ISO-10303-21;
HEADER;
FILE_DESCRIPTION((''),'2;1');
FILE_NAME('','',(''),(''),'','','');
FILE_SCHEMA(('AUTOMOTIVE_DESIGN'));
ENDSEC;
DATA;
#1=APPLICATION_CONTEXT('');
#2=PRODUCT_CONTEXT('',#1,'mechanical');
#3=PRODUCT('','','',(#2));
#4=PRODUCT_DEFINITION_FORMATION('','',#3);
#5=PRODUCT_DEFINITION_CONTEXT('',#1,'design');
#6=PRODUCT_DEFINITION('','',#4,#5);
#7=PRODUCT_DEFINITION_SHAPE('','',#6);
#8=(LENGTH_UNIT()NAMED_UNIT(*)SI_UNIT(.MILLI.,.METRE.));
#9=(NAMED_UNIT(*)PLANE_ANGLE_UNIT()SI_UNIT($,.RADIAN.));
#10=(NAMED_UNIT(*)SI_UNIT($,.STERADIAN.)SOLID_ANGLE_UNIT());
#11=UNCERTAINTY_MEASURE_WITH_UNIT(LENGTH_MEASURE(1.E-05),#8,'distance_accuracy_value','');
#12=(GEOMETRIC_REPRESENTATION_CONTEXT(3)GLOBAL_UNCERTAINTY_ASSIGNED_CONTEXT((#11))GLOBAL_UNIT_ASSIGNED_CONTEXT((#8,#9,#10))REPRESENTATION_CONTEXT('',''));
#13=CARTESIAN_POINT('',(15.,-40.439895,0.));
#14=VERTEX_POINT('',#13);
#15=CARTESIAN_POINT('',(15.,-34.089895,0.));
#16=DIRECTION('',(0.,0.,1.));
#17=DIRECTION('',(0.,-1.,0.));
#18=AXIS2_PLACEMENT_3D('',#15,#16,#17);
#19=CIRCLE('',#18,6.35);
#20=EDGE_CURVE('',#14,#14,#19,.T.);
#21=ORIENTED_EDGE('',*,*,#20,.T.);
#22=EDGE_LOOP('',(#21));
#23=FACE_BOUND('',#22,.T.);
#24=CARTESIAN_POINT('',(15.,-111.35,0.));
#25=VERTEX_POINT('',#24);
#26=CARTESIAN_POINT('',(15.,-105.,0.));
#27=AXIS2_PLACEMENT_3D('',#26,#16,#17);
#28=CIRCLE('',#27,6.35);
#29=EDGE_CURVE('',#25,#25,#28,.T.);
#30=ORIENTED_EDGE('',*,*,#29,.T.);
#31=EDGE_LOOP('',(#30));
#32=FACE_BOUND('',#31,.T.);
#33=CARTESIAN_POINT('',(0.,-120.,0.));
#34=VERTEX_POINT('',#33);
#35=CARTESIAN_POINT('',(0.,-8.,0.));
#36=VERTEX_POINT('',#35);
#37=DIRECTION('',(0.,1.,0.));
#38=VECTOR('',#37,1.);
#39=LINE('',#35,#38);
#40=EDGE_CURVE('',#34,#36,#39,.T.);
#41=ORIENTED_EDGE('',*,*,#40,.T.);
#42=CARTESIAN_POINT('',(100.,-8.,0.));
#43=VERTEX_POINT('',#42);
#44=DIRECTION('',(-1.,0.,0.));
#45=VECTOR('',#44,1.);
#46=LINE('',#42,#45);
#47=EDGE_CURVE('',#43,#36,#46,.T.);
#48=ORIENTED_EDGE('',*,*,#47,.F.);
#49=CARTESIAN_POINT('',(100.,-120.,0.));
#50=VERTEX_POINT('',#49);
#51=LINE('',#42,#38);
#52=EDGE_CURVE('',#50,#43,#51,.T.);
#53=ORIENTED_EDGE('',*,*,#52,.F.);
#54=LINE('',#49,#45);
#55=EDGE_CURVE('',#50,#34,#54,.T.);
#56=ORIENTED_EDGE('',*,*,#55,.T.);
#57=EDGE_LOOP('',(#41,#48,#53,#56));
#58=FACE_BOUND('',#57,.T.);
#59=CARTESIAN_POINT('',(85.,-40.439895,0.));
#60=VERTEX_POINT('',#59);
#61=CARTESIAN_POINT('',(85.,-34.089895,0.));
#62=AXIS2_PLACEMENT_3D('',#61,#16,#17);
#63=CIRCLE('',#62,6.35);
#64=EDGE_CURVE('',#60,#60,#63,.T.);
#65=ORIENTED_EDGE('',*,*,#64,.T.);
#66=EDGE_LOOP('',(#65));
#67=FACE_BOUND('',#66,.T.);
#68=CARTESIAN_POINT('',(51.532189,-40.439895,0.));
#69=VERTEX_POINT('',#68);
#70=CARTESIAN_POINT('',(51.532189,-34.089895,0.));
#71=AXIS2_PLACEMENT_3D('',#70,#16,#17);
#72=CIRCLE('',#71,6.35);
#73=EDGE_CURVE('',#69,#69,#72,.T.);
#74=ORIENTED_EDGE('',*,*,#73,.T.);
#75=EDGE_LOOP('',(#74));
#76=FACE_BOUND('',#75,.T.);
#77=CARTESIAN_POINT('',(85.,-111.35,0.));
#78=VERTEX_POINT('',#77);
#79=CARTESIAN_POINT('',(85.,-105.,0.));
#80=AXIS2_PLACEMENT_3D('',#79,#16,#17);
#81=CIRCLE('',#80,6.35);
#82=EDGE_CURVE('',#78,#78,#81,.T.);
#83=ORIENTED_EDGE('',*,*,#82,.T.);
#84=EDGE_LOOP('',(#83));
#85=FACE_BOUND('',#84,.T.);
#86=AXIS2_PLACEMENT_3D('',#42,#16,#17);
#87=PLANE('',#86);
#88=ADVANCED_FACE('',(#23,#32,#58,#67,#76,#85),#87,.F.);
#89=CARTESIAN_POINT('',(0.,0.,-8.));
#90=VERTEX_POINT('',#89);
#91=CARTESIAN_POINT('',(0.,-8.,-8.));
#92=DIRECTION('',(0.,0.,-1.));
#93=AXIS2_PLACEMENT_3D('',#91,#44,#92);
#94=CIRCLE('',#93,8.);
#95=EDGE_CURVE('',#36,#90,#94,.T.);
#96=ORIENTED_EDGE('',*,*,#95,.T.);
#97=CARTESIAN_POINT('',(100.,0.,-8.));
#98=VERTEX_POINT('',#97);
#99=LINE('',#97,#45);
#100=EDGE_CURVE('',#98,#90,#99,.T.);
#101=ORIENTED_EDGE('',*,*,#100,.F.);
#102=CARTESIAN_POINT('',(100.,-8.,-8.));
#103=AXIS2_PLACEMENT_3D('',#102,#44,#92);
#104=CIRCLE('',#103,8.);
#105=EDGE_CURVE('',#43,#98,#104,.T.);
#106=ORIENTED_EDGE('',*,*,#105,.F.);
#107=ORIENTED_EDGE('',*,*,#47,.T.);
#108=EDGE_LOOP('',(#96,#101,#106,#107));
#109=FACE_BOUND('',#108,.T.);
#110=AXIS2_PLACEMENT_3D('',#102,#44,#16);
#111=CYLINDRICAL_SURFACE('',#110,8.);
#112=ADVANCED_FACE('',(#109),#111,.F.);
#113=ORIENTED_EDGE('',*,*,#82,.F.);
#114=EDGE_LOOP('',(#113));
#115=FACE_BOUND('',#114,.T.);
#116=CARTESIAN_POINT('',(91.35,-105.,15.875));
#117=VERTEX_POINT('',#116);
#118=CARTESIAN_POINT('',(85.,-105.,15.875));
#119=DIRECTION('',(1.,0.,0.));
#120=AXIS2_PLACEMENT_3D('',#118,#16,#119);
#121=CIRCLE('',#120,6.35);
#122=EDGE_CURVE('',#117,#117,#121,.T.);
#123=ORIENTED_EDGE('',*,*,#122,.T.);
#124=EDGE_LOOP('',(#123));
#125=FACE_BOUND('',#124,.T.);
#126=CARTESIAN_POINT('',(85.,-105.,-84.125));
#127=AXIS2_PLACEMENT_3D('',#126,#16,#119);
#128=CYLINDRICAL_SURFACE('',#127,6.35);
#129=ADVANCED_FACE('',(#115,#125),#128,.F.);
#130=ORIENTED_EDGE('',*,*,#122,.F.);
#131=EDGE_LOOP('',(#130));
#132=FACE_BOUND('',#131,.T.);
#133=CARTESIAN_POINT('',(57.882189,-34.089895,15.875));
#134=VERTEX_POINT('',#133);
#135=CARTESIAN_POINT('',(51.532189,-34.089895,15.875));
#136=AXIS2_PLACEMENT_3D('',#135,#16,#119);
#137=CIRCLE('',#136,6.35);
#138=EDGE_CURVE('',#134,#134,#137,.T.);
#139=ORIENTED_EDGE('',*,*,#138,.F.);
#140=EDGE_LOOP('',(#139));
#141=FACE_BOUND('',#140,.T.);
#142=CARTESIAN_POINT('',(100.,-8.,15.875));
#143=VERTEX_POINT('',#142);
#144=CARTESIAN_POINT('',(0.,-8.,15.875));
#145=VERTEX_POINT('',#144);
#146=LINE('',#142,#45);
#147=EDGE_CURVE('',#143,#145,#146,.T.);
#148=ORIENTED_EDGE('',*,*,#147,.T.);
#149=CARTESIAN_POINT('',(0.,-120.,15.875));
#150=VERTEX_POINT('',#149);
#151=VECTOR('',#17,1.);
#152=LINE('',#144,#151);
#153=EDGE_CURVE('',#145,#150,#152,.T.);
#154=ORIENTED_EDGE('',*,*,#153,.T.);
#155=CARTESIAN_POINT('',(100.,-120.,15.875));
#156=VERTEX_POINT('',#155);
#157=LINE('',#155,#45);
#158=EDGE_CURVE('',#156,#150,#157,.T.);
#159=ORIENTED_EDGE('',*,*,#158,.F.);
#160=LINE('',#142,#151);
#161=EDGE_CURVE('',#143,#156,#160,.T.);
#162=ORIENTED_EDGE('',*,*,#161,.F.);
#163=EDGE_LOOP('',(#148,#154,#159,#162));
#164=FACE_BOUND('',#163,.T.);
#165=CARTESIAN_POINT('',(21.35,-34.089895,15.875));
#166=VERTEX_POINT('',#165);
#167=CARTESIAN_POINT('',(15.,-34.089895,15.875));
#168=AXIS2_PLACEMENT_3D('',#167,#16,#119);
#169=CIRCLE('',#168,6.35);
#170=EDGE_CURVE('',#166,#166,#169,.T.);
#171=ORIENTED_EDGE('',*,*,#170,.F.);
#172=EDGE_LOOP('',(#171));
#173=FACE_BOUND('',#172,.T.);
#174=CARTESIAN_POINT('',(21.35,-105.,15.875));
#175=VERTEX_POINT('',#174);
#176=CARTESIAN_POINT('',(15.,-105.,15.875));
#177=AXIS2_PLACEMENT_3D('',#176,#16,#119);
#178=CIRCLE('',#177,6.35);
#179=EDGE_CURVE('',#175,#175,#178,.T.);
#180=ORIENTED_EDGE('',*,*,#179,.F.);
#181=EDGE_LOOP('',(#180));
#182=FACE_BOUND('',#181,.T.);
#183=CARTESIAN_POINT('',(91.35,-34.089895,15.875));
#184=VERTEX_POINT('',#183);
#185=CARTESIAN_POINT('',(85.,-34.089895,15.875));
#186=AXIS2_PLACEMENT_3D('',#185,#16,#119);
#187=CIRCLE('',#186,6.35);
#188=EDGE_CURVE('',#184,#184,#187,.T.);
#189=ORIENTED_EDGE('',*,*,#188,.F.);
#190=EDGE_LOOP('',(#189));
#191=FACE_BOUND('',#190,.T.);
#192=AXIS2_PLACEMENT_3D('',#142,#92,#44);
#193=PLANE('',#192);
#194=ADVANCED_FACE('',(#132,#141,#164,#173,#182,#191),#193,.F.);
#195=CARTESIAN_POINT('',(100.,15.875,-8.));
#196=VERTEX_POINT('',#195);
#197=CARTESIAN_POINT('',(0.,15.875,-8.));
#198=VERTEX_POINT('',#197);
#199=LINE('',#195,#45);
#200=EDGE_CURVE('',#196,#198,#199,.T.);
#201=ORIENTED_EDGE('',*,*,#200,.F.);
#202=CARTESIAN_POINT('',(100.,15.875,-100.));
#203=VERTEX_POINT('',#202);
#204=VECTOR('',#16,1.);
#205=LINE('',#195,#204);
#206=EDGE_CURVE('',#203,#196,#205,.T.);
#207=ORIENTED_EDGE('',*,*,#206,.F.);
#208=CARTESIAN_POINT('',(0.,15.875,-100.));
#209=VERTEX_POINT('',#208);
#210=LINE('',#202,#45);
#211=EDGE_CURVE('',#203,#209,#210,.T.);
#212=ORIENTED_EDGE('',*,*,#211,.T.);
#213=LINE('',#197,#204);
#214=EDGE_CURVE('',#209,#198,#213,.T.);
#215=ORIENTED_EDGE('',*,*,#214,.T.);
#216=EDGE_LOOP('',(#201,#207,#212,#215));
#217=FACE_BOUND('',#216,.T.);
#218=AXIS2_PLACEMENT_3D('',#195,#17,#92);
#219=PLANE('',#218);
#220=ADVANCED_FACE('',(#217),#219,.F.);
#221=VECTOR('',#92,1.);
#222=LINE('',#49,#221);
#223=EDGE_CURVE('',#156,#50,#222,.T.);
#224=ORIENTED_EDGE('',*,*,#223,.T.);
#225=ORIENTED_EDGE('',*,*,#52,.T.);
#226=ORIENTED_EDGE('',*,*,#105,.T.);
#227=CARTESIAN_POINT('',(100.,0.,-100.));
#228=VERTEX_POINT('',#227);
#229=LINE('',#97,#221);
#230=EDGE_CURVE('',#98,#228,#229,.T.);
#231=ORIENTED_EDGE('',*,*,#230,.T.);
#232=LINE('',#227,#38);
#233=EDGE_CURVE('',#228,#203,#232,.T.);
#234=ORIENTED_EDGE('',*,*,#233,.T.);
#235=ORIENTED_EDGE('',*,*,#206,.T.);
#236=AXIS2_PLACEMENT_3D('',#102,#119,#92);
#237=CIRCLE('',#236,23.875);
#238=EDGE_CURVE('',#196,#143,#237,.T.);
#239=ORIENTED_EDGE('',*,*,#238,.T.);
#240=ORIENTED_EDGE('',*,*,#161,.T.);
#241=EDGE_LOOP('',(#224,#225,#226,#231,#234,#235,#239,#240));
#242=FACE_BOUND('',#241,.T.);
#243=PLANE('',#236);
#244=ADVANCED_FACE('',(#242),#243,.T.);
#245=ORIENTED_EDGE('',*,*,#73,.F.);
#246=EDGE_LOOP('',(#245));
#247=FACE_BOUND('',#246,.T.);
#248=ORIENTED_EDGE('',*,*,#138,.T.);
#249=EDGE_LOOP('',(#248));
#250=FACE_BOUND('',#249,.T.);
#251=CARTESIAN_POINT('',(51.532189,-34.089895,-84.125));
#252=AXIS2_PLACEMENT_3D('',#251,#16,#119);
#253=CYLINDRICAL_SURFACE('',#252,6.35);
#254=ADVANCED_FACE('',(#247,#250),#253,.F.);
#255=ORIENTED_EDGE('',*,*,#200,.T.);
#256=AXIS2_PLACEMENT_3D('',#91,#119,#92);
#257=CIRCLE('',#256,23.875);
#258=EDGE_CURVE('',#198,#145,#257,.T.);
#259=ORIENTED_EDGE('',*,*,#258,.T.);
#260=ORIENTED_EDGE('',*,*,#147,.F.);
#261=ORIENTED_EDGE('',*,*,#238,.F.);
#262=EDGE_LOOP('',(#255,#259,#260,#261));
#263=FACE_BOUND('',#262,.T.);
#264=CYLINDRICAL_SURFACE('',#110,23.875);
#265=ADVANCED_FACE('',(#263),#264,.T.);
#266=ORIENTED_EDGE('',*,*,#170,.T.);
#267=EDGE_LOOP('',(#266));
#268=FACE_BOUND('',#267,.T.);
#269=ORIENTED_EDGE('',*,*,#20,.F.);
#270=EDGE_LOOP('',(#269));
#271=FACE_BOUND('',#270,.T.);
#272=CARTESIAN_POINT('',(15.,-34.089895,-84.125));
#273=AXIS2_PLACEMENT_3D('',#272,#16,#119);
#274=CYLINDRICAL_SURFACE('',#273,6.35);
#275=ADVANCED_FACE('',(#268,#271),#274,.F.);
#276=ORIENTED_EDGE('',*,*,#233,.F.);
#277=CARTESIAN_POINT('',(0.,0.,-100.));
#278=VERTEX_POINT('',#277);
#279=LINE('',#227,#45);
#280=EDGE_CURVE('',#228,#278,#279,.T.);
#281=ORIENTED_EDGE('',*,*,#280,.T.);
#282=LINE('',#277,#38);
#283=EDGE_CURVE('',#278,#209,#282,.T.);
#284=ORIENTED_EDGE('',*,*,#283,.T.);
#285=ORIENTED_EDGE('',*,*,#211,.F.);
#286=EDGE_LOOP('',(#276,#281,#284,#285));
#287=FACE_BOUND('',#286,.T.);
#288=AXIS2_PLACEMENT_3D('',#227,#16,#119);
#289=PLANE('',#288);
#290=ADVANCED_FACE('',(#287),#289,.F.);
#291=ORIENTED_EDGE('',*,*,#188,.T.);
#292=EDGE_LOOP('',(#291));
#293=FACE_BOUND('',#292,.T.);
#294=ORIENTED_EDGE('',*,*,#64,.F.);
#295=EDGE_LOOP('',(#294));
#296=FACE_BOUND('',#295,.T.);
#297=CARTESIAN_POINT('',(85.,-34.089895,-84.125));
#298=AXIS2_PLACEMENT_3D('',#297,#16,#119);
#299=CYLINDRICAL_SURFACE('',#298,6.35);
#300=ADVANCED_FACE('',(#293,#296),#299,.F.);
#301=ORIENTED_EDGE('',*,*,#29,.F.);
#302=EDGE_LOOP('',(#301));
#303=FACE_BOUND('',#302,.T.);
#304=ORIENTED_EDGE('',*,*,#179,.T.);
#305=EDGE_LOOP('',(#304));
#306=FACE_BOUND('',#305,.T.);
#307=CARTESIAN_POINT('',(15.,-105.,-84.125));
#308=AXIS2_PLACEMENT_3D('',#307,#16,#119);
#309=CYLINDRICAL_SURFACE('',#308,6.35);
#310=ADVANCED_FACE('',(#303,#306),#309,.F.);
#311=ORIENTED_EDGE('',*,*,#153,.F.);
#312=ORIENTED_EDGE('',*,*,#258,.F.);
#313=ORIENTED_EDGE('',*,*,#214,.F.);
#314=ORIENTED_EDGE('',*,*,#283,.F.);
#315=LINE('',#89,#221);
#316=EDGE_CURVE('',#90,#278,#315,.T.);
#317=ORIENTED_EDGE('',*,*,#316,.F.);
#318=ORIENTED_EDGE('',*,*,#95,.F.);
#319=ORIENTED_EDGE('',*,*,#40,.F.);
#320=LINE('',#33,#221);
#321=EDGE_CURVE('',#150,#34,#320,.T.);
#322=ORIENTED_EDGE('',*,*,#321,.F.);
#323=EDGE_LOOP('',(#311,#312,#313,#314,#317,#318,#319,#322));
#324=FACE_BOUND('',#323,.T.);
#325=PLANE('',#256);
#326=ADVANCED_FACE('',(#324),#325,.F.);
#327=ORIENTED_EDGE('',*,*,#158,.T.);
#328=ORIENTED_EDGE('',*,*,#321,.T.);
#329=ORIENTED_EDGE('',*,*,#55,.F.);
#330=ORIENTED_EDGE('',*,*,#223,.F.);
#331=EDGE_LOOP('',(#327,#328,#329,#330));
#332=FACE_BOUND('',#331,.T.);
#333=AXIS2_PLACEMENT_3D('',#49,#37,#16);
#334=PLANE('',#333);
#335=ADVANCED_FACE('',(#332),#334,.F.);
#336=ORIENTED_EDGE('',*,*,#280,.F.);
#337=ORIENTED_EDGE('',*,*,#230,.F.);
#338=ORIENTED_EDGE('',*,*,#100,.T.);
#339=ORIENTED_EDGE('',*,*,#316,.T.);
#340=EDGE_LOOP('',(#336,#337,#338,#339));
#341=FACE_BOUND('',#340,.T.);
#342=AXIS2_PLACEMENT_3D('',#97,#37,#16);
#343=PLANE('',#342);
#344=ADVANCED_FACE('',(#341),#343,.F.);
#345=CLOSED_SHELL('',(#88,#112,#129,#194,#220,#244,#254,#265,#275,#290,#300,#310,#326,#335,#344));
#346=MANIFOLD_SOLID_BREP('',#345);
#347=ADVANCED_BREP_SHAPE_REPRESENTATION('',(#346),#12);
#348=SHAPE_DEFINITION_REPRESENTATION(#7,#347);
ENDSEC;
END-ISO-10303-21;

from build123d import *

# Parameters (mm, degrees)
SALIENTE_EXTRUIR1_DEPTH = 100
CROQUIS2_R              = 6.35
CORTAR_EXTRUIR1_DEPTH   = 100


with BuildPart() as part:
    # Croquis1 → Saliente-Extruir1 (new body)
    with BuildSketch(Plane(origin=(0, 0, 0), x_dir=(0, 0, -1), z_dir=(1, 0, 0))):
        with BuildLine():
            Line((8, 0), (100, 0))
            Line((100, 0), (100, 15.875))
            Line((100, 15.875), (8, 15.875))
            ThreePointArc((8, 15.875), (-8.882174401, 8.882174401), (-15.875, -8))
            Line((-15.875, -8), (-15.875, -120))
            Line((-15.875, -120), (0, -120))
            Line((0, -120), (0, -8))
            ThreePointArc((0, -8), (2.343145751, -2.343145751), (8, 0))
        make_face()
    extrude(amount=SALIENTE_EXTRUIR1_DEPTH)

    # Croquis2 → Cortar-Extruir1 (cut)
    with BuildSketch(Plane.XY.offset(15.875)):
        with Locations((15, -34.089894909)):
            Circle(CROQUIS2_R)
        with Locations((85, -34.089894909)):
            Circle(CROQUIS2_R)
        with Locations((15, -105)):
            Circle(CROQUIS2_R)
        with Locations((85, -105)):
            Circle(CROQUIS2_R)
        with Locations((51.532189387, -34.089894909)):
            Circle(CROQUIS2_R)
    extrude(amount=-CORTAR_EXTRUIR1_DEPTH, mode=Mode.SUBTRACT)


solid = part.part
